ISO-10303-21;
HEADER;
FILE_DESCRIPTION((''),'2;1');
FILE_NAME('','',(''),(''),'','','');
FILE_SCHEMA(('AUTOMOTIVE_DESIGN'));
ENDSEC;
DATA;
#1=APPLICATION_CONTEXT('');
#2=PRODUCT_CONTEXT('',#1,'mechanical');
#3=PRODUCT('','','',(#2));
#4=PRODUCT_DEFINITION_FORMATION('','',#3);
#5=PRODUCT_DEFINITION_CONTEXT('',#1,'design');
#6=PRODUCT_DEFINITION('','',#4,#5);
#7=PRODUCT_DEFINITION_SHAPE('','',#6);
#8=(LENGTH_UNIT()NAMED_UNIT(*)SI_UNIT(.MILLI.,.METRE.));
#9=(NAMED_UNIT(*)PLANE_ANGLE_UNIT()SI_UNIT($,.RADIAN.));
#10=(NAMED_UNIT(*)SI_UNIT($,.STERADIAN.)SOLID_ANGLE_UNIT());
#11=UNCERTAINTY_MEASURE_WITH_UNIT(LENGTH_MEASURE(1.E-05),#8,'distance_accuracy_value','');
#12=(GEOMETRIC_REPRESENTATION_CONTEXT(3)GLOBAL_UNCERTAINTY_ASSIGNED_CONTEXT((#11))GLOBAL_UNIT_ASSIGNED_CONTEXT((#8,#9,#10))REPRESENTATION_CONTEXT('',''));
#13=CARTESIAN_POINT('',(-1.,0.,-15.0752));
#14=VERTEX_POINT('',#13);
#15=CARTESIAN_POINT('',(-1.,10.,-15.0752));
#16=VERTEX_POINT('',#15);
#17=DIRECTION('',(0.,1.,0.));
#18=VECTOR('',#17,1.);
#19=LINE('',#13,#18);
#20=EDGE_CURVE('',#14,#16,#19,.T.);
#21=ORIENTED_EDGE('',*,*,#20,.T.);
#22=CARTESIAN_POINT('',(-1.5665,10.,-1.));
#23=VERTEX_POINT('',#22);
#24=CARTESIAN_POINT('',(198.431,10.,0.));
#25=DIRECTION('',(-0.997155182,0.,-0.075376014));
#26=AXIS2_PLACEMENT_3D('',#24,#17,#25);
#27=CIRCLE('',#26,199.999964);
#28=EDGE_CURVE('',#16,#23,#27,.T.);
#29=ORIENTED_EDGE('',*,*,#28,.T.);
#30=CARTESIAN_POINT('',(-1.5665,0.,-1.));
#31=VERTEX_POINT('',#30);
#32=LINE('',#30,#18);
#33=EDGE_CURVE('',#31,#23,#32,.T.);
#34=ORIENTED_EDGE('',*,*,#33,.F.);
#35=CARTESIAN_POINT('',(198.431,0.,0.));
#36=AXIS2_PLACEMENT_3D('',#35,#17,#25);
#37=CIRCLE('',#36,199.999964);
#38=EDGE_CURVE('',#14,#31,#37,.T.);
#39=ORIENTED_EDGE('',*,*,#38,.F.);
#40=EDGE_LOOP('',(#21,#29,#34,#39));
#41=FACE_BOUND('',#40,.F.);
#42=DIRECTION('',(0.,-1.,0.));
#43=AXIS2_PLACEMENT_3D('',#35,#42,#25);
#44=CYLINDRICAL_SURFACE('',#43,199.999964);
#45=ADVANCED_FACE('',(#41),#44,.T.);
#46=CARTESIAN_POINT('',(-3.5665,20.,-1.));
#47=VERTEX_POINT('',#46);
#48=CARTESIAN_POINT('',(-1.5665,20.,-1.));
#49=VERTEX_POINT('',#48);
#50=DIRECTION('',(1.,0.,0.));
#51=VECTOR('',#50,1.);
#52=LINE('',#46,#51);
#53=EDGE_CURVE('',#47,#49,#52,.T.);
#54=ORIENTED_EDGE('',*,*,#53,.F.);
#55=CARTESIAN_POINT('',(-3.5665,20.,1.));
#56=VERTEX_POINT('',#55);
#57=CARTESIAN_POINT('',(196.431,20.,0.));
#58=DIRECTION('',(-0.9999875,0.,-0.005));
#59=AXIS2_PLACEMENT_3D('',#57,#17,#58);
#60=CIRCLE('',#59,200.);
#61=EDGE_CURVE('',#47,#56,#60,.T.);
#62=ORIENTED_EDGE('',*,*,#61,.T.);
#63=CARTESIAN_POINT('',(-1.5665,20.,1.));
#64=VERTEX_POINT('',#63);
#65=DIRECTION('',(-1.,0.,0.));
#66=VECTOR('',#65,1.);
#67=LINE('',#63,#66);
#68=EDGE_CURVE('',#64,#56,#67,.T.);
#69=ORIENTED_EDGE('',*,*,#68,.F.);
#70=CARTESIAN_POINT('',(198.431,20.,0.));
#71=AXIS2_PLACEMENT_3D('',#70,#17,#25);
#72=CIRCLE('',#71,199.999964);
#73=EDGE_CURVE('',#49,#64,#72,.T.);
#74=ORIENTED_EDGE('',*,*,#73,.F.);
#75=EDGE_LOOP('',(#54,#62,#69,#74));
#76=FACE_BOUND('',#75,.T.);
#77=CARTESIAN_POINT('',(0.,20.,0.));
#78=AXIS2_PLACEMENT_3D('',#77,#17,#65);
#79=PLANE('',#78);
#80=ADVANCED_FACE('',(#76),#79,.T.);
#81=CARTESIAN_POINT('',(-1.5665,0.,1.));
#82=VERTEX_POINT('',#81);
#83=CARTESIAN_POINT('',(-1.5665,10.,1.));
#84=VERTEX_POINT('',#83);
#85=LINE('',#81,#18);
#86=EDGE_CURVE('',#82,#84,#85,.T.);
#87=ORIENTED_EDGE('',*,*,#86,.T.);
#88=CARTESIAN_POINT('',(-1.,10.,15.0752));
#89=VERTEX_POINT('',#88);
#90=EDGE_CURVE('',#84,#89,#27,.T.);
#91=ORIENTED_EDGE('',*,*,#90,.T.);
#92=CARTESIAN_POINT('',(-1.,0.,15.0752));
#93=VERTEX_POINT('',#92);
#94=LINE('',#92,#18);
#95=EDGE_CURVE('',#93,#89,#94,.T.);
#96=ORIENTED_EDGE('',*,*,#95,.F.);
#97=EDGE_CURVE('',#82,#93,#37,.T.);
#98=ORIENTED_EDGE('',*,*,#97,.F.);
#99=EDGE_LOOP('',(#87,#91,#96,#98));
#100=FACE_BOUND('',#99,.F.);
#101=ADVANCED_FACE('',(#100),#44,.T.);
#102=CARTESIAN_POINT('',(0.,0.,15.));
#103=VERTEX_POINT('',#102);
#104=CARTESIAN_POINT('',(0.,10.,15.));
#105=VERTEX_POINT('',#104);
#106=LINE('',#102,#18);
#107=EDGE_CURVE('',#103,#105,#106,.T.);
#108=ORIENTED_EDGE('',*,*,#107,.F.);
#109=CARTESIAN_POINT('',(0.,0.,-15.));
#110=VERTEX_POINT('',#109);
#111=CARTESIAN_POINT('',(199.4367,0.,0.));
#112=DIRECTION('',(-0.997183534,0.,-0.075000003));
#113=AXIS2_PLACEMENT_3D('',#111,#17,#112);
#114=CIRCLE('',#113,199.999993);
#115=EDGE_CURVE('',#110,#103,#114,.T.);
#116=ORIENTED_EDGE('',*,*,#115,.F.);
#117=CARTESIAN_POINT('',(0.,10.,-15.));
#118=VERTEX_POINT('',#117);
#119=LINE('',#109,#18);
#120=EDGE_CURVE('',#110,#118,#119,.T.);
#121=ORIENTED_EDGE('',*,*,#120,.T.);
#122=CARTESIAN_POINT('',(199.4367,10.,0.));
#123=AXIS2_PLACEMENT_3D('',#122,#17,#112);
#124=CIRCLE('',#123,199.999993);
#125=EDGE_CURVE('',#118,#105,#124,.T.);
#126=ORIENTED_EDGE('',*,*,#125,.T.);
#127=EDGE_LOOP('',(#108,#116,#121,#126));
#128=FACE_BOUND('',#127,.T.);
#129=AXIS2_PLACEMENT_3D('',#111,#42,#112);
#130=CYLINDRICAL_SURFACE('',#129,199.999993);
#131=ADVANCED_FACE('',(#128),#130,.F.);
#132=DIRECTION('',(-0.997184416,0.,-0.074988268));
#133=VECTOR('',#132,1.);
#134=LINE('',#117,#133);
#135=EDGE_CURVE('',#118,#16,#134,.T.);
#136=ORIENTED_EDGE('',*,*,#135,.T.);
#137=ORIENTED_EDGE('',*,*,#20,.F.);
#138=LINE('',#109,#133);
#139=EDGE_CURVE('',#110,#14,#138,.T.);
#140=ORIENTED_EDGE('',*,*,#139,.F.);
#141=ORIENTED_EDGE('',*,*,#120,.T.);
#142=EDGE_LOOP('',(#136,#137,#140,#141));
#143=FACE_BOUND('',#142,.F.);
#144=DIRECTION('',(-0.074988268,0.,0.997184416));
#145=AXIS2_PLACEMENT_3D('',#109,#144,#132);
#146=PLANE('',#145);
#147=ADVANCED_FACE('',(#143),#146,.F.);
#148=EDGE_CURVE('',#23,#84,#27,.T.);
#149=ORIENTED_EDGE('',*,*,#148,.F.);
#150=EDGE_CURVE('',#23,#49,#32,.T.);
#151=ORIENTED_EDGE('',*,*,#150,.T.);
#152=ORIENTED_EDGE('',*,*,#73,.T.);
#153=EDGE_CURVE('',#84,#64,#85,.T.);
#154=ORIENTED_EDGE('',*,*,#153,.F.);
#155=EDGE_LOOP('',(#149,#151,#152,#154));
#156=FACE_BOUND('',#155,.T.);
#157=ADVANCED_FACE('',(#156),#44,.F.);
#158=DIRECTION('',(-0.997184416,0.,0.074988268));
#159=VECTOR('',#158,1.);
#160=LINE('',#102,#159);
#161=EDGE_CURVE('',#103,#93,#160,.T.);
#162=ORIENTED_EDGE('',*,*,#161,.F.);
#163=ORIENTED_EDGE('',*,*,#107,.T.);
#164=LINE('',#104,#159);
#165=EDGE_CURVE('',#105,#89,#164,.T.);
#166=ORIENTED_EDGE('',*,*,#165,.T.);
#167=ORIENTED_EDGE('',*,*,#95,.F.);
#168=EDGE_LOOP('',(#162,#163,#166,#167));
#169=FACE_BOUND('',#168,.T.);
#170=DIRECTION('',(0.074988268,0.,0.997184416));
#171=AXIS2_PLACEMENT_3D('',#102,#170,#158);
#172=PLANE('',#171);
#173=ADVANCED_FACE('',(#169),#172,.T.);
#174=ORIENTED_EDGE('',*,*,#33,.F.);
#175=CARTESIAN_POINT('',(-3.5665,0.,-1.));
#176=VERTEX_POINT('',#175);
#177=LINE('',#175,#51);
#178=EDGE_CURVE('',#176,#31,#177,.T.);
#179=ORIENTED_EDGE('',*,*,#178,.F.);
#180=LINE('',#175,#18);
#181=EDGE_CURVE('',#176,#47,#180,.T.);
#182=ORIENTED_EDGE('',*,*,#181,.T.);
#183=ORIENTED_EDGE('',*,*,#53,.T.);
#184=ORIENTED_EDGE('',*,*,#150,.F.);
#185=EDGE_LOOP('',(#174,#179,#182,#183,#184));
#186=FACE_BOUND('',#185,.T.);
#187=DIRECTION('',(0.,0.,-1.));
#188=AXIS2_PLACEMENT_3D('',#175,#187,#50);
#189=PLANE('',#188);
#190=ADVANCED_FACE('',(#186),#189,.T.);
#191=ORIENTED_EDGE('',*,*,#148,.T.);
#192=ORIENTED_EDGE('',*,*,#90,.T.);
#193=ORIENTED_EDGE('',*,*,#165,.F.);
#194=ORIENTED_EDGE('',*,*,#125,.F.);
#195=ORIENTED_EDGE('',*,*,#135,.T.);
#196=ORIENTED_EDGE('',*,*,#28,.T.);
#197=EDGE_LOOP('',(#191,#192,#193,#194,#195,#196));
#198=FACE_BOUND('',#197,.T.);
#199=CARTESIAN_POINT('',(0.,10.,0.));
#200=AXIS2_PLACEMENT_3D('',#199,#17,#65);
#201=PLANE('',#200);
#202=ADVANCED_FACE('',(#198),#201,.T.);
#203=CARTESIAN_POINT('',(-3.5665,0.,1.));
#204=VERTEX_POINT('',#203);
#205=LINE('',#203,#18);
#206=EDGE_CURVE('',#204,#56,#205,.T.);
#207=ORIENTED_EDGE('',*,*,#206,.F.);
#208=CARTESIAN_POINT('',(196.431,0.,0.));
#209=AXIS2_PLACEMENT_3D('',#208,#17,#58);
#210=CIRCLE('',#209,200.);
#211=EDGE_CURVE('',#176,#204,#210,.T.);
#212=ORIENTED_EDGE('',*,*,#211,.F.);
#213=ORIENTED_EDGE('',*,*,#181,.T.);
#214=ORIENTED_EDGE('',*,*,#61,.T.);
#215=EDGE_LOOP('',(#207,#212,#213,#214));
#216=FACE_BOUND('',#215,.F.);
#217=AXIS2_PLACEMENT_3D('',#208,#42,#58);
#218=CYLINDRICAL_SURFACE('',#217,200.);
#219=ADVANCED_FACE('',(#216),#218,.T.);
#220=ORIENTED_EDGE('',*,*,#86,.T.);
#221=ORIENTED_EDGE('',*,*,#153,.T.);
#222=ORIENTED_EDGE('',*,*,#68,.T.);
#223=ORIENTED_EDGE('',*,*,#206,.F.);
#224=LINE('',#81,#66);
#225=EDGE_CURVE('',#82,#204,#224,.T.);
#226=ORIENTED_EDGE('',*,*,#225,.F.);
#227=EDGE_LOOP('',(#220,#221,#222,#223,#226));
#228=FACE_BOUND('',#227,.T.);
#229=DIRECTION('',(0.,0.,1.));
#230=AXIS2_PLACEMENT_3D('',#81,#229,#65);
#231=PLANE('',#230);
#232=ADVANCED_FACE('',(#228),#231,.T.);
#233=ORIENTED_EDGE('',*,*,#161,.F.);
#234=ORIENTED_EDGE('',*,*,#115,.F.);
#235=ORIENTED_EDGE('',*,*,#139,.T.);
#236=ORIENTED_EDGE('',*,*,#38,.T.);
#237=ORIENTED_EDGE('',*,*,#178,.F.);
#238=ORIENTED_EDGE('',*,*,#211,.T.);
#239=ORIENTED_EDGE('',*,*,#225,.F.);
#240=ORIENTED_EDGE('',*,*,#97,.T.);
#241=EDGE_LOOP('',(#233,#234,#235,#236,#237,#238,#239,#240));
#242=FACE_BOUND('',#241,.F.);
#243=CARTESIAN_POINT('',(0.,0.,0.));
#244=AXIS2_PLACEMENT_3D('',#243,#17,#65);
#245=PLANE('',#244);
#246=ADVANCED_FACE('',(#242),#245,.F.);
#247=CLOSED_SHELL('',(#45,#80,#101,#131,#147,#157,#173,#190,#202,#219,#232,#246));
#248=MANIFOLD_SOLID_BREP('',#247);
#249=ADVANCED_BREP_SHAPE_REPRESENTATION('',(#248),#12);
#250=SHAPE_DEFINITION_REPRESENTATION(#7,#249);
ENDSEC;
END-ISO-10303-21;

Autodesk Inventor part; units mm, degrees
ref_plane "YZ Plane" through (0, 0, 0) normal (1, 0, 0) x (0, 1, 0)
ref_plane "XZ Plane" through (0, 0, 0) normal (0, 1, 0) x (-1, 0, 0)
ref_plane "XY Plane" through (0, 0, 0) normal (0, 0, 1) x (1, 0, 0)
sketch "Sketch1" plane through (0, 0, 0) normal (0, 1, 0) x (-1, 0, 0)
  arc A0 (0, -15) -> (0, 15) centre (-199.4367, 0) ccw
  line L0 (0, 15) -> (1, 15.0752)
  line L1 (0, -15) -> (1, -15.0752)
  arc A1 (1, -15.0752) -> (1, 15.0752) centre (-198.431, 0) ccw
  line L2 (1.5665, 1) -> (3.5665, 1)
  line L3 (3.5665, -1) -> (1.5665, -1)
  arc A2 (3.5665, -1) -> (3.5665, 1) centre (-196.431, 0) ccw
  point P0 (0, 0)
  point P1 (0.5633, 0)
  dimension "d0" = 200
  dimension "d1" = 30
  dimension "d2" = 1
  dimension "d3" = 1
  dimension "d4" = 200
  dimension "d5" = 1
  dimension "d6" = 1
  dimension "d7" = 2
  dimension "d8" = 2
  dimension "d9" = 200
extrude "Extrusion1" add sketch "Sketch1" along normal blind 20 contours A1 L2 A2 L3
extrude "Extrusion2" add sketch "Sketch1" along normal blind 10 contours A0 L0 A1 L1
ref_plane "Work Plane1" through (-3.5665, 20, 0) normal (0, 0, 1) x (1, 0, 0)
properties part number "silothingp2"
